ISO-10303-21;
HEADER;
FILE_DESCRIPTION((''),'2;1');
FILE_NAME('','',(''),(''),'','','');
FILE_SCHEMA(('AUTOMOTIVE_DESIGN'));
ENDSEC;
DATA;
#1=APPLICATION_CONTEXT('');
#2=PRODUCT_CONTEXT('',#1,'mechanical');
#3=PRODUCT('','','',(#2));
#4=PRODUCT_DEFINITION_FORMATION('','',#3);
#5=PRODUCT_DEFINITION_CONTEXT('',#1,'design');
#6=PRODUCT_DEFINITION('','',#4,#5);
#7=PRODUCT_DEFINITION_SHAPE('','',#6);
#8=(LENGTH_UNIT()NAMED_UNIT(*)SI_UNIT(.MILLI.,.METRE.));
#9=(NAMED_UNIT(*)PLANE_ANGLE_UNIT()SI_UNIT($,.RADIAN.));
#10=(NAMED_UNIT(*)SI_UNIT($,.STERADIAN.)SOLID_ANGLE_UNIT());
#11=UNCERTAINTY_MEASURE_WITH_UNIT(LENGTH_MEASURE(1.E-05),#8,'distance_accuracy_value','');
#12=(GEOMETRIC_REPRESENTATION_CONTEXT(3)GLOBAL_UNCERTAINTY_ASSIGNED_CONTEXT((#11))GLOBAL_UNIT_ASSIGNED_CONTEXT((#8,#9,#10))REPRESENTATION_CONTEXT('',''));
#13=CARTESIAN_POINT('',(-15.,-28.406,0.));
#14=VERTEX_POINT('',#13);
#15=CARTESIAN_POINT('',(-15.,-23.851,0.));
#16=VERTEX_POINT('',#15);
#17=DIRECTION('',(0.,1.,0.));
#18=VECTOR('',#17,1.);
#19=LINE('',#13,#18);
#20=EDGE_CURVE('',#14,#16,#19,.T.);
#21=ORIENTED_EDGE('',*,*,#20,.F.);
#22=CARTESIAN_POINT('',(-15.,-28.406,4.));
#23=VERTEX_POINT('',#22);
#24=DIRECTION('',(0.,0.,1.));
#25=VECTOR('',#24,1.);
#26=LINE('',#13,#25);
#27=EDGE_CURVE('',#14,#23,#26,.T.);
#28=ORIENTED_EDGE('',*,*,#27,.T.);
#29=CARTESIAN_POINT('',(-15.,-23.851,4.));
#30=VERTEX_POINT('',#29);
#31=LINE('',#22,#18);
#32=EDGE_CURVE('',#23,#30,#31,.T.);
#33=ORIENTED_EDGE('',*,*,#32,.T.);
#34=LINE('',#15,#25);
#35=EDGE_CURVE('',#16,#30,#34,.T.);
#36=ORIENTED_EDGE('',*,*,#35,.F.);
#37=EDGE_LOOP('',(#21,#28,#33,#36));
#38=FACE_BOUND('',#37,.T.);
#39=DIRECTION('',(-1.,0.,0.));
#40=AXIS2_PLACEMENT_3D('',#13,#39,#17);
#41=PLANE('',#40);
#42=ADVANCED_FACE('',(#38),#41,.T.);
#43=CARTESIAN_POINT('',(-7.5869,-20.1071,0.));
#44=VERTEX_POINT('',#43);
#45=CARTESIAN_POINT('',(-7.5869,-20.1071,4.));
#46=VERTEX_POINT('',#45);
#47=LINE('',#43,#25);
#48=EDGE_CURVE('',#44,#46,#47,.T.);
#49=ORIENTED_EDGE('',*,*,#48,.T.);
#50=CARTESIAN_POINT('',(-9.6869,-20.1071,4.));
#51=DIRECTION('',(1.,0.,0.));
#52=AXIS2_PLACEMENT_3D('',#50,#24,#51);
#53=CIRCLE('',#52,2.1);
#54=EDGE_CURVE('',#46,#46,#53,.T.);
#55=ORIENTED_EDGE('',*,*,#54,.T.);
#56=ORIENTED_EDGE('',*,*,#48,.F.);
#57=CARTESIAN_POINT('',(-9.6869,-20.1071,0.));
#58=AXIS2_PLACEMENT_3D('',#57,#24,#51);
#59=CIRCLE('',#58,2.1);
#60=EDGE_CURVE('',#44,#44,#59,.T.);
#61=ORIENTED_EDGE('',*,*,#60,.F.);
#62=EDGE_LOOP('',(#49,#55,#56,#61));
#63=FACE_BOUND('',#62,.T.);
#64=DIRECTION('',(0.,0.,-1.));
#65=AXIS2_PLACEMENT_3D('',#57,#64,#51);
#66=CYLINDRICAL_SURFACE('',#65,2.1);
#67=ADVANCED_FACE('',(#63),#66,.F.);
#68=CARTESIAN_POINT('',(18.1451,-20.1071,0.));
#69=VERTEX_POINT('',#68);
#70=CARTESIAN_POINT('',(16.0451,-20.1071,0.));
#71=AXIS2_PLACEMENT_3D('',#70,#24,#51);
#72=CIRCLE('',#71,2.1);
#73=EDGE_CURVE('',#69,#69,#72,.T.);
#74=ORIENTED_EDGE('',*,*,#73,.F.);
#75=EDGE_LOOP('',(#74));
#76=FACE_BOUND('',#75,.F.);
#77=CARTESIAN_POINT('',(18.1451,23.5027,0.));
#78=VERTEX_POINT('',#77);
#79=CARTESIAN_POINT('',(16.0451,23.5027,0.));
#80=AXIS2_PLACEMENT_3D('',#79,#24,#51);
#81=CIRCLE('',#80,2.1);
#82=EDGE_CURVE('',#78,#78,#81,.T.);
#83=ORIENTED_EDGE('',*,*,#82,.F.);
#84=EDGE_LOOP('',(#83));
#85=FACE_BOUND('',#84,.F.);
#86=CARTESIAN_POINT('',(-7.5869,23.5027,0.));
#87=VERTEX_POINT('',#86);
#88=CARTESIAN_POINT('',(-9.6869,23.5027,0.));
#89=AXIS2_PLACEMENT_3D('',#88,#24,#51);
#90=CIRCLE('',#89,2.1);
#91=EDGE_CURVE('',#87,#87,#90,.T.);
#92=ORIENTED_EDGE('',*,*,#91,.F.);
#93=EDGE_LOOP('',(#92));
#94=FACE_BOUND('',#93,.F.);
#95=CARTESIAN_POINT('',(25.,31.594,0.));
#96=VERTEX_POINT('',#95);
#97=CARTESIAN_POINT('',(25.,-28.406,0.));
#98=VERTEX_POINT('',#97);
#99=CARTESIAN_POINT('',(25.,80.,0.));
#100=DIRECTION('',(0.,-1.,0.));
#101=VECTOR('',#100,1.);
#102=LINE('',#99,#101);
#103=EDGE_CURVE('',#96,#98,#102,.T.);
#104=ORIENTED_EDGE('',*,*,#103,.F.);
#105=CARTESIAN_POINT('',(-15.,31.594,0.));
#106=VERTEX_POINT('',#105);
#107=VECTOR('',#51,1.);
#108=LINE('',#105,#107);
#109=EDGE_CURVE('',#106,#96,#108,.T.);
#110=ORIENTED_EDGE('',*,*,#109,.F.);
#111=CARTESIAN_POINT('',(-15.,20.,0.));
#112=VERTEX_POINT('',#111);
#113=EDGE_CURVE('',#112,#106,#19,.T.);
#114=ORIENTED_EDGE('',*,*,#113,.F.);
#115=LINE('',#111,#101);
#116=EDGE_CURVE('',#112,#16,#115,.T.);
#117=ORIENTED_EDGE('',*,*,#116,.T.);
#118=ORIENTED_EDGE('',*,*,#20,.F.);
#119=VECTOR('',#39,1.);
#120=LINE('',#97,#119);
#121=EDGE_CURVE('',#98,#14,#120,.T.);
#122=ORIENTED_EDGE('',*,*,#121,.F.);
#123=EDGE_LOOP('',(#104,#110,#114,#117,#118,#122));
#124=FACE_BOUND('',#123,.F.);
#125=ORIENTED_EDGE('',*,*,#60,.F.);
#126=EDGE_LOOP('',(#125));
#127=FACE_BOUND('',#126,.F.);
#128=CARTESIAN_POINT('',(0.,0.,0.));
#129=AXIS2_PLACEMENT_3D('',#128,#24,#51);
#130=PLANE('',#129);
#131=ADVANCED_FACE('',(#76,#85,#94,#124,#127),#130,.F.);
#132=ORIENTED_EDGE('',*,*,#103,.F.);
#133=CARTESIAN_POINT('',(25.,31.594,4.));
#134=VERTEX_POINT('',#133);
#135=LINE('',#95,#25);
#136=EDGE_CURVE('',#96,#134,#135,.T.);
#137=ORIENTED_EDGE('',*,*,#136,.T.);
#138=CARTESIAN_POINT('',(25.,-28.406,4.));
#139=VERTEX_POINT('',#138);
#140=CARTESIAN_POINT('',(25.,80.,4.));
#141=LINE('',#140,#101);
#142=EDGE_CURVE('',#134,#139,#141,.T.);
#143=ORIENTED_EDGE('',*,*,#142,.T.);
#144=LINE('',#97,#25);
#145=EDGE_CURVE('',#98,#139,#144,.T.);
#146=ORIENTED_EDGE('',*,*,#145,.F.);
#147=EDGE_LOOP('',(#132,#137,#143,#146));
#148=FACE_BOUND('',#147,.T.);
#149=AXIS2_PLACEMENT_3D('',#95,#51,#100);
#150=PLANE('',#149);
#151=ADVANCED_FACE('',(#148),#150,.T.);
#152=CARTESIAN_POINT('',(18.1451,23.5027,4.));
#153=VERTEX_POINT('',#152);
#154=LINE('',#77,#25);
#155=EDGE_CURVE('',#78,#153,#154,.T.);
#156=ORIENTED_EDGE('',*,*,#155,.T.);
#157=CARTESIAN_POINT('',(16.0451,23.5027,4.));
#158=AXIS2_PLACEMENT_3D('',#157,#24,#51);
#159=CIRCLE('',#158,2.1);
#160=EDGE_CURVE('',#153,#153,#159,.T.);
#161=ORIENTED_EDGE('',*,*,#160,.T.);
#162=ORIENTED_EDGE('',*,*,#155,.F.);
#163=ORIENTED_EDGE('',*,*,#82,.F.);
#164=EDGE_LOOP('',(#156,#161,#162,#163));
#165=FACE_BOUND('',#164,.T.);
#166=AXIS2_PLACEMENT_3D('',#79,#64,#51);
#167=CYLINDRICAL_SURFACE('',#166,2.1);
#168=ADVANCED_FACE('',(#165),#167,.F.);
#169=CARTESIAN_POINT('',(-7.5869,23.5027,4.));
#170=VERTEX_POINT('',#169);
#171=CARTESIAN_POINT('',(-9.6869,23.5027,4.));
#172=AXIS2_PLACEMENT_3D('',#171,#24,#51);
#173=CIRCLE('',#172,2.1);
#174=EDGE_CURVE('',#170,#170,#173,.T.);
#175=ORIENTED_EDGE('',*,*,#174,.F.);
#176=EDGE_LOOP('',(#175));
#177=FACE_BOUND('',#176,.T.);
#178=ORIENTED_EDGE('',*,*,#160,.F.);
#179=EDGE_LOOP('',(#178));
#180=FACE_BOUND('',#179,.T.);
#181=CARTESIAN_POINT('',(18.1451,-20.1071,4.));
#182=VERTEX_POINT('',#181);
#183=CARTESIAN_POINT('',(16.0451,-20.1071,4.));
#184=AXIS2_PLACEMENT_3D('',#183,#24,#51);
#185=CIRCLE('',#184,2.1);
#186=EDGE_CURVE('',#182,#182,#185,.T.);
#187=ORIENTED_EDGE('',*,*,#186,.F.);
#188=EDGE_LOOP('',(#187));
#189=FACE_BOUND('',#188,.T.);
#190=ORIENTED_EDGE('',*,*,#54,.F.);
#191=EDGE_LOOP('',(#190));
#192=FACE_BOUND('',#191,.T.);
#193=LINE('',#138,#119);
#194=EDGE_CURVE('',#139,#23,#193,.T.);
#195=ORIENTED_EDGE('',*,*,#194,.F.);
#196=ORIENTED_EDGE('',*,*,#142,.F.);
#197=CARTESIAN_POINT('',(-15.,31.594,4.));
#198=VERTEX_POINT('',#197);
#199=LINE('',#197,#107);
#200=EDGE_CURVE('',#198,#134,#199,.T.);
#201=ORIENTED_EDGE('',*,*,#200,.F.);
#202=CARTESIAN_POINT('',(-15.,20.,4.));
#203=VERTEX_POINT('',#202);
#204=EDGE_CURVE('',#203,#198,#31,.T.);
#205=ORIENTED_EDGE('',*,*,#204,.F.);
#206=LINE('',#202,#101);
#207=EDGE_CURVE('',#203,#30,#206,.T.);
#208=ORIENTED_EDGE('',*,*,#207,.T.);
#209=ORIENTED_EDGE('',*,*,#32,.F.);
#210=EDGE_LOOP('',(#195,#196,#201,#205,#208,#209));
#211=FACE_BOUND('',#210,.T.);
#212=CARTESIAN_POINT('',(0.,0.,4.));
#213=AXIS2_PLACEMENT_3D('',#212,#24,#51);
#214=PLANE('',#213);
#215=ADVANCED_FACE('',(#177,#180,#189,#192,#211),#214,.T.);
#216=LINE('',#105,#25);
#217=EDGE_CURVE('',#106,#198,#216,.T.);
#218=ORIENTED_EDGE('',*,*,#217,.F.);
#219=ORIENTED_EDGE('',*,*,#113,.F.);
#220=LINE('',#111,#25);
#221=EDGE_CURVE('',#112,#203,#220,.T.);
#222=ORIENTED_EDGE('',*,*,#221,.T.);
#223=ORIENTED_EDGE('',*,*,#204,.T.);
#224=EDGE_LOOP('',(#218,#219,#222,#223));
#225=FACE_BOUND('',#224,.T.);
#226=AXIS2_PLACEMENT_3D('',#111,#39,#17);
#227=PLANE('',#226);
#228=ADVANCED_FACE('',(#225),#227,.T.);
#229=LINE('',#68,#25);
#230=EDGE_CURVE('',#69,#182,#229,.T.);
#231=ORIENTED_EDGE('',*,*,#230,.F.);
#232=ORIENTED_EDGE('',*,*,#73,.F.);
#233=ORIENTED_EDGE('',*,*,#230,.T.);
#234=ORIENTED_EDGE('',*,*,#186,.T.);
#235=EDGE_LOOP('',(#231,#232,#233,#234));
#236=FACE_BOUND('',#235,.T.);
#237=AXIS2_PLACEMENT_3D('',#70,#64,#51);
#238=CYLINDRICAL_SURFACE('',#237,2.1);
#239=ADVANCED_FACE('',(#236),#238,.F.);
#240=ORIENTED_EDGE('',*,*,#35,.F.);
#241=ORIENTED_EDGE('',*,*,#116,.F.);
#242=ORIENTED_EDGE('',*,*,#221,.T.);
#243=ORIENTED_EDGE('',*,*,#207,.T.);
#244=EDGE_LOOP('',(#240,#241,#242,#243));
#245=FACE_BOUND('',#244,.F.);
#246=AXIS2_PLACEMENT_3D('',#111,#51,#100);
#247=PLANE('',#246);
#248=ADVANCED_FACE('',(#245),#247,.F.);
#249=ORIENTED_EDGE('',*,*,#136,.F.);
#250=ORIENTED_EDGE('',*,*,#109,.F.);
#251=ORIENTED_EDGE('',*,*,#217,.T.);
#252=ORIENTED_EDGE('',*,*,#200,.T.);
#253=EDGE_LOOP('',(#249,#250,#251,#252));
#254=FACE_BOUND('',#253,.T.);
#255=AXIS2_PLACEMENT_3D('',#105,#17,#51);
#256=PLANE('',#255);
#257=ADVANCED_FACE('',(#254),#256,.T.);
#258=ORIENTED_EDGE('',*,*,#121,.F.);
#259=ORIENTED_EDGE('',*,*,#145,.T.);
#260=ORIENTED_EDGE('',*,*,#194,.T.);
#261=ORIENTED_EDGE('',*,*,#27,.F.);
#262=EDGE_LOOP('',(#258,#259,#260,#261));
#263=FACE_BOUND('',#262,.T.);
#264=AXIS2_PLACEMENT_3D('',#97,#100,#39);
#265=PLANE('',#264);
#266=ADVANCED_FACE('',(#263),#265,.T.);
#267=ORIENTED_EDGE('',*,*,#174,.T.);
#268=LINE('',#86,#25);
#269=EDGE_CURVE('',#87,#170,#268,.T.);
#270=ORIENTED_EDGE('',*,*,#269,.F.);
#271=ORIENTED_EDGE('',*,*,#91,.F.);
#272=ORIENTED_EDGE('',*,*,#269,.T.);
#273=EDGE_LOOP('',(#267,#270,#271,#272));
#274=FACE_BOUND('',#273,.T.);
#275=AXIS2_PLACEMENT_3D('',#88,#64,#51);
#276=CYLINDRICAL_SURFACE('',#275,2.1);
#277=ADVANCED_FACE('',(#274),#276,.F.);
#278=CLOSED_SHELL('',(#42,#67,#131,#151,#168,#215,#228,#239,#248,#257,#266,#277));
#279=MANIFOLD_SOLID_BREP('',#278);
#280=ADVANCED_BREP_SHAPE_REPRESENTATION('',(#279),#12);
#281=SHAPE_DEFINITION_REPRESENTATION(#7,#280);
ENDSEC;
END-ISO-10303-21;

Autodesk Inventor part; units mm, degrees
ref_plane "YZ Plane" through (0, 0, 0) normal (1, 0, 0) x (0, 1, 0)
ref_plane "XZ Plane" through (0, 0, 0) normal (0, 1, 0) x (-1, 0, 0)
ref_plane "XY Plane" through (0, 0, 0) normal (0, 0, 1) x (1, 0, 0)
ref_plane "Work Plane1" through (0, 0, 0) normal (0, 0, 1) x (1, 0, 0)
sketch "Sketch1" plane through (0, 0, 0) normal (0, 0, 1) x (1, 0, 0)
  circle A0 centre (-9.6869, -20.1071) radius 2.1 projected
  circle A1 centre (16.0451, 23.5027) radius 2.1 projected
  circle A2 centre (-9.6869, 23.5027) radius 2.1 projected
  circle A3 centre (16.0451, -20.1071) radius 2.1 projected
  line L0 (-36.7526, -23.851) -> (-36.7526, -20) projected
  line L1 (-36.7526, -20) -> (-105, -20) projected
  line L2 (-105, -20) -> (-105, 20) projected
  line L3 (-15, 20) -> (-105, 20) projected
  line L4 (-15, 20) -> (-15, -23.851) projected
  line L5 (-15, -23.851) -> (-36.7526, -23.851) projected
  circle A4 centre (-89.9475, 24.9475) radius 2.1 projected
  circle A5 centre (-39.9475, 24.9475) radius 2.1 projected
  circle A6 centre (-39.9475, 74.9475) radius 2.1 projected
  circle A7 centre (-89.9475, 74.9475) radius 2.1 projected
  circle A8 centre (-64.9475, 74.9475) radius 2.1 projected
  circle A9 centre (-39.9475, 49.9475) radius 2.1 projected
  circle A10 centre (-64.9475, 24.9475) radius 2.1 projected
  circle A11 centre (-89.9475, 49.9475) radius 2.1 projected
  line L6 (-115, 80) -> (25, 80) projected
  line L7 (-115, -28.406) -> (-115, 80) projected
  line L8 (25, -28.406) -> (-115, -28.406) projected
  line L9 (25, 80) -> (25, -28.406) projected
  line L10 (25, -28.406) -> (-15, -28.406)
  line L11 (-15, -28.406) -> (-15, 31.594)
  line L12 (-15, 31.594) -> (25, 31.594)
  line L13 (25, 31.594) -> (25, -28.406)
  point P0 (0, 0)
  dimension "d0" = 40
  dimension "d1" = 60
extrude "Extrusion1" add sketch "Sketch1" along normal blind 4 contours L4 L11 L12 L9 L8
properties part number "03_Chipmount_v0"
